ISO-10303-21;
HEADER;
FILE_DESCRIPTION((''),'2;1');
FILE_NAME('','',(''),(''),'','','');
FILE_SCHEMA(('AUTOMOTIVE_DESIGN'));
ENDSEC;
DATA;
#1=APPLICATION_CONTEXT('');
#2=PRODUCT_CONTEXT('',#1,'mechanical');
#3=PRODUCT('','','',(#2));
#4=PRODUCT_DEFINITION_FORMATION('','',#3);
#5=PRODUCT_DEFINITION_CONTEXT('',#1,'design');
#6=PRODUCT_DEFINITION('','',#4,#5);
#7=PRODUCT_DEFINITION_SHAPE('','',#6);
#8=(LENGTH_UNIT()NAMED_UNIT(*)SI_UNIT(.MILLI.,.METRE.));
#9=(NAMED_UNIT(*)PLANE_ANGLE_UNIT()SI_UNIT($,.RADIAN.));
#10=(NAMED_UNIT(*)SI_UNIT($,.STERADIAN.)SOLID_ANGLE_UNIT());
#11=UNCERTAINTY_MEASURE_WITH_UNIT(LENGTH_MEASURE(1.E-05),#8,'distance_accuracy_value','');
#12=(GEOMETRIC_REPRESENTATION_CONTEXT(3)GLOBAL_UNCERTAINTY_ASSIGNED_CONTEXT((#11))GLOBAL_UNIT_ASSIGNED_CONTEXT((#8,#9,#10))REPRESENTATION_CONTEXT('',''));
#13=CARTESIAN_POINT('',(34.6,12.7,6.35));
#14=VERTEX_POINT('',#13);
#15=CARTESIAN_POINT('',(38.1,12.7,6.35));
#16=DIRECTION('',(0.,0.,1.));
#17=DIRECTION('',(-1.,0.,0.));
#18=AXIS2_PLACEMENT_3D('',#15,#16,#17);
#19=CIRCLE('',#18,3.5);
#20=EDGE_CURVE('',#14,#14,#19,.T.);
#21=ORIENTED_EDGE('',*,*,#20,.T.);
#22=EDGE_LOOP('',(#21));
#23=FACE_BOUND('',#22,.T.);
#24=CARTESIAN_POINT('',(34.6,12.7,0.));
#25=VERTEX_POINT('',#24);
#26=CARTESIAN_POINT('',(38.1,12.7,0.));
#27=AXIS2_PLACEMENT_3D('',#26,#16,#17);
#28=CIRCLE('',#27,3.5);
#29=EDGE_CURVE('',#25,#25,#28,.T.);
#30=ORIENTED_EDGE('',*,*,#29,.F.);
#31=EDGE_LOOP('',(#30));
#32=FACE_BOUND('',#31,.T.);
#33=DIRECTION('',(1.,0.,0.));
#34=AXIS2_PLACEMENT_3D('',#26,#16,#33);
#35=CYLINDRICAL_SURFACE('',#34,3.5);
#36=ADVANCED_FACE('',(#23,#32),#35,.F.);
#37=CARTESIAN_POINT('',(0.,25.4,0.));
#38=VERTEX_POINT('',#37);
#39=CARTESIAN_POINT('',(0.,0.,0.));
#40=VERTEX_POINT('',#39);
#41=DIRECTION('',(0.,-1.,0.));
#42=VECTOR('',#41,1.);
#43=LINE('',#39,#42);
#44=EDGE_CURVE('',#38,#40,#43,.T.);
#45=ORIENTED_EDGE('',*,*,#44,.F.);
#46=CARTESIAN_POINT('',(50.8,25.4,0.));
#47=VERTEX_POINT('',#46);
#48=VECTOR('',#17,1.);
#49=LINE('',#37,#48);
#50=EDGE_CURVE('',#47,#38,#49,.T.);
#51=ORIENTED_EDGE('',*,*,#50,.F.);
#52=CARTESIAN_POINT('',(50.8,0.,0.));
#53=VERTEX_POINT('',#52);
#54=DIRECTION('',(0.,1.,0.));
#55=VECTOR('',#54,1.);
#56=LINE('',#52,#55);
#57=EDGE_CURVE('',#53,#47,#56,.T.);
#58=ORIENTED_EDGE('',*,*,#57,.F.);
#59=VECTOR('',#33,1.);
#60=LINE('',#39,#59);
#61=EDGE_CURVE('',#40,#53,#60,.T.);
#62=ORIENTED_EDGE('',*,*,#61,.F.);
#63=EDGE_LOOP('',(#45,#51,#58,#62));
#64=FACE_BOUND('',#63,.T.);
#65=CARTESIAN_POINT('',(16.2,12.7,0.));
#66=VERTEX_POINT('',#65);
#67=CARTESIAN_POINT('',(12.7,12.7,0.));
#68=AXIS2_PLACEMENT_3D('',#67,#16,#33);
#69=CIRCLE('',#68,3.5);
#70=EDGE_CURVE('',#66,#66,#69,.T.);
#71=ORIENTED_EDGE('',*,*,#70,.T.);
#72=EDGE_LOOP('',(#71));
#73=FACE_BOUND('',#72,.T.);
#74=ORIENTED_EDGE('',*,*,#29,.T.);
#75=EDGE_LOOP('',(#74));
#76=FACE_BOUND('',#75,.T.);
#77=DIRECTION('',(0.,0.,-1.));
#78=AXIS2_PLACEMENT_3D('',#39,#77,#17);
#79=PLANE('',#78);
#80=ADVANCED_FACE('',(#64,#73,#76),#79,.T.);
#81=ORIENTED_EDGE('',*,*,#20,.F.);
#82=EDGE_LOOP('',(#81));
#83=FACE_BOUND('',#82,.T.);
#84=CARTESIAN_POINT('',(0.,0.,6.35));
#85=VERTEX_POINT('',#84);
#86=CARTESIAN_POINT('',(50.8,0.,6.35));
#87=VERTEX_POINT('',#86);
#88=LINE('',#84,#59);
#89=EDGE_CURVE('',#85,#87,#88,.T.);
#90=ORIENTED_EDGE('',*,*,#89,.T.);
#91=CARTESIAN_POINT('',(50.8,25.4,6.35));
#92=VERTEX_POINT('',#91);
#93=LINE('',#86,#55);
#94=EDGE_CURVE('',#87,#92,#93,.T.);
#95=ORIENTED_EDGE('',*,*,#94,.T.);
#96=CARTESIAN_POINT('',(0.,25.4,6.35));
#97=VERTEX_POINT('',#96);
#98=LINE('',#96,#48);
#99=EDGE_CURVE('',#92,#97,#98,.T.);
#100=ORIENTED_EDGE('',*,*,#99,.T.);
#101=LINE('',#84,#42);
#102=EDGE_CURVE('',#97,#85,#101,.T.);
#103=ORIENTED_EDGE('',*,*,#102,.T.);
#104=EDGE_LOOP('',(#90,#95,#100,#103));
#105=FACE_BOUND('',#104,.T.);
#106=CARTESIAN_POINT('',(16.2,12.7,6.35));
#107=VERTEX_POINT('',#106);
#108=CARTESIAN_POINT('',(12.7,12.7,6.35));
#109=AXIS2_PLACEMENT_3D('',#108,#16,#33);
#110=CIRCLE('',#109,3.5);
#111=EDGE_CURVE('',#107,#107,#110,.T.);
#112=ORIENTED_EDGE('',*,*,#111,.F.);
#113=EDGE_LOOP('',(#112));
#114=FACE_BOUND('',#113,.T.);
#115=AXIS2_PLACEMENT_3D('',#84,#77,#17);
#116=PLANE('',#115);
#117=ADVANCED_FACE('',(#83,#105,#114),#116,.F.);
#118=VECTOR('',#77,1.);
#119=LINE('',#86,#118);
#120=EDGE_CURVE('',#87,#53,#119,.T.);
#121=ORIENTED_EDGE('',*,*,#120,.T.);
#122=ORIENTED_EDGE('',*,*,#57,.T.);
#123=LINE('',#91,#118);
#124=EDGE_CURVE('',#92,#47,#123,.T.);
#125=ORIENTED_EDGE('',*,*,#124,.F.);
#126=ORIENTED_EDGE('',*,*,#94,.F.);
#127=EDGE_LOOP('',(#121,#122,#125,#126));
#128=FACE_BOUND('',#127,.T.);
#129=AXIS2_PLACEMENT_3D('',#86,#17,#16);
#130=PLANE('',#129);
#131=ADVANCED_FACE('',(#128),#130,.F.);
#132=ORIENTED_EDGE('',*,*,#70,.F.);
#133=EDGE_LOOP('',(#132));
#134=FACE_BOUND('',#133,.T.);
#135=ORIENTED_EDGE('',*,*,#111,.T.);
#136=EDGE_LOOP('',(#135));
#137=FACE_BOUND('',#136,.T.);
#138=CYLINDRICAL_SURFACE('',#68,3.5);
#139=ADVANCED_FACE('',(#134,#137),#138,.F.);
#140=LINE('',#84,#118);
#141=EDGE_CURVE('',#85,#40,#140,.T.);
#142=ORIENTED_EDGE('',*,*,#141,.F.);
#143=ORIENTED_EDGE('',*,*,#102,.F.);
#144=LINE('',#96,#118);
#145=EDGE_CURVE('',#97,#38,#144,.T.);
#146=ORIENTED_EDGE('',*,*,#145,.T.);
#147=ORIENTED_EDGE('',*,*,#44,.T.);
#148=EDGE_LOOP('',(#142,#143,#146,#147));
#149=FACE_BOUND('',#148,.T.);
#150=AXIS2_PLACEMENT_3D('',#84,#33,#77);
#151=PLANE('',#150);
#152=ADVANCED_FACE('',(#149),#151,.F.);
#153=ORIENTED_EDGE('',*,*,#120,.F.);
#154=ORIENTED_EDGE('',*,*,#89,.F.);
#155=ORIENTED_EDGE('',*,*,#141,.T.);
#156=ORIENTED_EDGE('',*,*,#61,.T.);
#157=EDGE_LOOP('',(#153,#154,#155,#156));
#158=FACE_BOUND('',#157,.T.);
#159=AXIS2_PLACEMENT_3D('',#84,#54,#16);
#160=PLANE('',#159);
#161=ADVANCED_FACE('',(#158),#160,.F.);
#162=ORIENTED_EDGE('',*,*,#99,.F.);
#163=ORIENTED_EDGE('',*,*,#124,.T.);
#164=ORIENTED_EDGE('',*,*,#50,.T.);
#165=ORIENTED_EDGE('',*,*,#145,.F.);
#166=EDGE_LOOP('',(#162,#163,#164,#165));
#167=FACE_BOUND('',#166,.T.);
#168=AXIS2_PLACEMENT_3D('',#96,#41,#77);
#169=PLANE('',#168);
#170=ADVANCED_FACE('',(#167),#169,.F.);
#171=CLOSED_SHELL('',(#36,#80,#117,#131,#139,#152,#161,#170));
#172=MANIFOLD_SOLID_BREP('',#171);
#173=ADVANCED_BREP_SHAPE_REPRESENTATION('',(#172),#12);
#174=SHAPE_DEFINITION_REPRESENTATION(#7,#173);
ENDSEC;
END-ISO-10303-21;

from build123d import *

# Parameters (mm, degrees)
SKETCH1_W           = 50.8
SKETCH1_H           = 25.4
BOSS_EXTRUDE1_DEPTH = 6.35
SKETCH2_R           = 3.5
CUT_EXTRUDE1_DEPTH  = 6.35


with BuildPart() as part:
    # Sketch1 → Boss-Extrude1 (new body)
    with BuildSketch(Plane.XY):
        with Locations((25.4, 12.7)):
            Rectangle(SKETCH1_W, SKETCH1_H)
    extrude(amount=BOSS_EXTRUDE1_DEPTH)

    # Sketch2 → Cut-Extrude1 (cut)
    with BuildSketch(Plane.XY.offset(6.35)):
        with Locations((12.7, 12.7)):
            Circle(SKETCH2_R)
        with Locations((38.1, 12.7)):
            Circle(SKETCH2_R)
    extrude(amount=-CUT_EXTRUDE1_DEPTH, mode=Mode.SUBTRACT)


solid = part.part
